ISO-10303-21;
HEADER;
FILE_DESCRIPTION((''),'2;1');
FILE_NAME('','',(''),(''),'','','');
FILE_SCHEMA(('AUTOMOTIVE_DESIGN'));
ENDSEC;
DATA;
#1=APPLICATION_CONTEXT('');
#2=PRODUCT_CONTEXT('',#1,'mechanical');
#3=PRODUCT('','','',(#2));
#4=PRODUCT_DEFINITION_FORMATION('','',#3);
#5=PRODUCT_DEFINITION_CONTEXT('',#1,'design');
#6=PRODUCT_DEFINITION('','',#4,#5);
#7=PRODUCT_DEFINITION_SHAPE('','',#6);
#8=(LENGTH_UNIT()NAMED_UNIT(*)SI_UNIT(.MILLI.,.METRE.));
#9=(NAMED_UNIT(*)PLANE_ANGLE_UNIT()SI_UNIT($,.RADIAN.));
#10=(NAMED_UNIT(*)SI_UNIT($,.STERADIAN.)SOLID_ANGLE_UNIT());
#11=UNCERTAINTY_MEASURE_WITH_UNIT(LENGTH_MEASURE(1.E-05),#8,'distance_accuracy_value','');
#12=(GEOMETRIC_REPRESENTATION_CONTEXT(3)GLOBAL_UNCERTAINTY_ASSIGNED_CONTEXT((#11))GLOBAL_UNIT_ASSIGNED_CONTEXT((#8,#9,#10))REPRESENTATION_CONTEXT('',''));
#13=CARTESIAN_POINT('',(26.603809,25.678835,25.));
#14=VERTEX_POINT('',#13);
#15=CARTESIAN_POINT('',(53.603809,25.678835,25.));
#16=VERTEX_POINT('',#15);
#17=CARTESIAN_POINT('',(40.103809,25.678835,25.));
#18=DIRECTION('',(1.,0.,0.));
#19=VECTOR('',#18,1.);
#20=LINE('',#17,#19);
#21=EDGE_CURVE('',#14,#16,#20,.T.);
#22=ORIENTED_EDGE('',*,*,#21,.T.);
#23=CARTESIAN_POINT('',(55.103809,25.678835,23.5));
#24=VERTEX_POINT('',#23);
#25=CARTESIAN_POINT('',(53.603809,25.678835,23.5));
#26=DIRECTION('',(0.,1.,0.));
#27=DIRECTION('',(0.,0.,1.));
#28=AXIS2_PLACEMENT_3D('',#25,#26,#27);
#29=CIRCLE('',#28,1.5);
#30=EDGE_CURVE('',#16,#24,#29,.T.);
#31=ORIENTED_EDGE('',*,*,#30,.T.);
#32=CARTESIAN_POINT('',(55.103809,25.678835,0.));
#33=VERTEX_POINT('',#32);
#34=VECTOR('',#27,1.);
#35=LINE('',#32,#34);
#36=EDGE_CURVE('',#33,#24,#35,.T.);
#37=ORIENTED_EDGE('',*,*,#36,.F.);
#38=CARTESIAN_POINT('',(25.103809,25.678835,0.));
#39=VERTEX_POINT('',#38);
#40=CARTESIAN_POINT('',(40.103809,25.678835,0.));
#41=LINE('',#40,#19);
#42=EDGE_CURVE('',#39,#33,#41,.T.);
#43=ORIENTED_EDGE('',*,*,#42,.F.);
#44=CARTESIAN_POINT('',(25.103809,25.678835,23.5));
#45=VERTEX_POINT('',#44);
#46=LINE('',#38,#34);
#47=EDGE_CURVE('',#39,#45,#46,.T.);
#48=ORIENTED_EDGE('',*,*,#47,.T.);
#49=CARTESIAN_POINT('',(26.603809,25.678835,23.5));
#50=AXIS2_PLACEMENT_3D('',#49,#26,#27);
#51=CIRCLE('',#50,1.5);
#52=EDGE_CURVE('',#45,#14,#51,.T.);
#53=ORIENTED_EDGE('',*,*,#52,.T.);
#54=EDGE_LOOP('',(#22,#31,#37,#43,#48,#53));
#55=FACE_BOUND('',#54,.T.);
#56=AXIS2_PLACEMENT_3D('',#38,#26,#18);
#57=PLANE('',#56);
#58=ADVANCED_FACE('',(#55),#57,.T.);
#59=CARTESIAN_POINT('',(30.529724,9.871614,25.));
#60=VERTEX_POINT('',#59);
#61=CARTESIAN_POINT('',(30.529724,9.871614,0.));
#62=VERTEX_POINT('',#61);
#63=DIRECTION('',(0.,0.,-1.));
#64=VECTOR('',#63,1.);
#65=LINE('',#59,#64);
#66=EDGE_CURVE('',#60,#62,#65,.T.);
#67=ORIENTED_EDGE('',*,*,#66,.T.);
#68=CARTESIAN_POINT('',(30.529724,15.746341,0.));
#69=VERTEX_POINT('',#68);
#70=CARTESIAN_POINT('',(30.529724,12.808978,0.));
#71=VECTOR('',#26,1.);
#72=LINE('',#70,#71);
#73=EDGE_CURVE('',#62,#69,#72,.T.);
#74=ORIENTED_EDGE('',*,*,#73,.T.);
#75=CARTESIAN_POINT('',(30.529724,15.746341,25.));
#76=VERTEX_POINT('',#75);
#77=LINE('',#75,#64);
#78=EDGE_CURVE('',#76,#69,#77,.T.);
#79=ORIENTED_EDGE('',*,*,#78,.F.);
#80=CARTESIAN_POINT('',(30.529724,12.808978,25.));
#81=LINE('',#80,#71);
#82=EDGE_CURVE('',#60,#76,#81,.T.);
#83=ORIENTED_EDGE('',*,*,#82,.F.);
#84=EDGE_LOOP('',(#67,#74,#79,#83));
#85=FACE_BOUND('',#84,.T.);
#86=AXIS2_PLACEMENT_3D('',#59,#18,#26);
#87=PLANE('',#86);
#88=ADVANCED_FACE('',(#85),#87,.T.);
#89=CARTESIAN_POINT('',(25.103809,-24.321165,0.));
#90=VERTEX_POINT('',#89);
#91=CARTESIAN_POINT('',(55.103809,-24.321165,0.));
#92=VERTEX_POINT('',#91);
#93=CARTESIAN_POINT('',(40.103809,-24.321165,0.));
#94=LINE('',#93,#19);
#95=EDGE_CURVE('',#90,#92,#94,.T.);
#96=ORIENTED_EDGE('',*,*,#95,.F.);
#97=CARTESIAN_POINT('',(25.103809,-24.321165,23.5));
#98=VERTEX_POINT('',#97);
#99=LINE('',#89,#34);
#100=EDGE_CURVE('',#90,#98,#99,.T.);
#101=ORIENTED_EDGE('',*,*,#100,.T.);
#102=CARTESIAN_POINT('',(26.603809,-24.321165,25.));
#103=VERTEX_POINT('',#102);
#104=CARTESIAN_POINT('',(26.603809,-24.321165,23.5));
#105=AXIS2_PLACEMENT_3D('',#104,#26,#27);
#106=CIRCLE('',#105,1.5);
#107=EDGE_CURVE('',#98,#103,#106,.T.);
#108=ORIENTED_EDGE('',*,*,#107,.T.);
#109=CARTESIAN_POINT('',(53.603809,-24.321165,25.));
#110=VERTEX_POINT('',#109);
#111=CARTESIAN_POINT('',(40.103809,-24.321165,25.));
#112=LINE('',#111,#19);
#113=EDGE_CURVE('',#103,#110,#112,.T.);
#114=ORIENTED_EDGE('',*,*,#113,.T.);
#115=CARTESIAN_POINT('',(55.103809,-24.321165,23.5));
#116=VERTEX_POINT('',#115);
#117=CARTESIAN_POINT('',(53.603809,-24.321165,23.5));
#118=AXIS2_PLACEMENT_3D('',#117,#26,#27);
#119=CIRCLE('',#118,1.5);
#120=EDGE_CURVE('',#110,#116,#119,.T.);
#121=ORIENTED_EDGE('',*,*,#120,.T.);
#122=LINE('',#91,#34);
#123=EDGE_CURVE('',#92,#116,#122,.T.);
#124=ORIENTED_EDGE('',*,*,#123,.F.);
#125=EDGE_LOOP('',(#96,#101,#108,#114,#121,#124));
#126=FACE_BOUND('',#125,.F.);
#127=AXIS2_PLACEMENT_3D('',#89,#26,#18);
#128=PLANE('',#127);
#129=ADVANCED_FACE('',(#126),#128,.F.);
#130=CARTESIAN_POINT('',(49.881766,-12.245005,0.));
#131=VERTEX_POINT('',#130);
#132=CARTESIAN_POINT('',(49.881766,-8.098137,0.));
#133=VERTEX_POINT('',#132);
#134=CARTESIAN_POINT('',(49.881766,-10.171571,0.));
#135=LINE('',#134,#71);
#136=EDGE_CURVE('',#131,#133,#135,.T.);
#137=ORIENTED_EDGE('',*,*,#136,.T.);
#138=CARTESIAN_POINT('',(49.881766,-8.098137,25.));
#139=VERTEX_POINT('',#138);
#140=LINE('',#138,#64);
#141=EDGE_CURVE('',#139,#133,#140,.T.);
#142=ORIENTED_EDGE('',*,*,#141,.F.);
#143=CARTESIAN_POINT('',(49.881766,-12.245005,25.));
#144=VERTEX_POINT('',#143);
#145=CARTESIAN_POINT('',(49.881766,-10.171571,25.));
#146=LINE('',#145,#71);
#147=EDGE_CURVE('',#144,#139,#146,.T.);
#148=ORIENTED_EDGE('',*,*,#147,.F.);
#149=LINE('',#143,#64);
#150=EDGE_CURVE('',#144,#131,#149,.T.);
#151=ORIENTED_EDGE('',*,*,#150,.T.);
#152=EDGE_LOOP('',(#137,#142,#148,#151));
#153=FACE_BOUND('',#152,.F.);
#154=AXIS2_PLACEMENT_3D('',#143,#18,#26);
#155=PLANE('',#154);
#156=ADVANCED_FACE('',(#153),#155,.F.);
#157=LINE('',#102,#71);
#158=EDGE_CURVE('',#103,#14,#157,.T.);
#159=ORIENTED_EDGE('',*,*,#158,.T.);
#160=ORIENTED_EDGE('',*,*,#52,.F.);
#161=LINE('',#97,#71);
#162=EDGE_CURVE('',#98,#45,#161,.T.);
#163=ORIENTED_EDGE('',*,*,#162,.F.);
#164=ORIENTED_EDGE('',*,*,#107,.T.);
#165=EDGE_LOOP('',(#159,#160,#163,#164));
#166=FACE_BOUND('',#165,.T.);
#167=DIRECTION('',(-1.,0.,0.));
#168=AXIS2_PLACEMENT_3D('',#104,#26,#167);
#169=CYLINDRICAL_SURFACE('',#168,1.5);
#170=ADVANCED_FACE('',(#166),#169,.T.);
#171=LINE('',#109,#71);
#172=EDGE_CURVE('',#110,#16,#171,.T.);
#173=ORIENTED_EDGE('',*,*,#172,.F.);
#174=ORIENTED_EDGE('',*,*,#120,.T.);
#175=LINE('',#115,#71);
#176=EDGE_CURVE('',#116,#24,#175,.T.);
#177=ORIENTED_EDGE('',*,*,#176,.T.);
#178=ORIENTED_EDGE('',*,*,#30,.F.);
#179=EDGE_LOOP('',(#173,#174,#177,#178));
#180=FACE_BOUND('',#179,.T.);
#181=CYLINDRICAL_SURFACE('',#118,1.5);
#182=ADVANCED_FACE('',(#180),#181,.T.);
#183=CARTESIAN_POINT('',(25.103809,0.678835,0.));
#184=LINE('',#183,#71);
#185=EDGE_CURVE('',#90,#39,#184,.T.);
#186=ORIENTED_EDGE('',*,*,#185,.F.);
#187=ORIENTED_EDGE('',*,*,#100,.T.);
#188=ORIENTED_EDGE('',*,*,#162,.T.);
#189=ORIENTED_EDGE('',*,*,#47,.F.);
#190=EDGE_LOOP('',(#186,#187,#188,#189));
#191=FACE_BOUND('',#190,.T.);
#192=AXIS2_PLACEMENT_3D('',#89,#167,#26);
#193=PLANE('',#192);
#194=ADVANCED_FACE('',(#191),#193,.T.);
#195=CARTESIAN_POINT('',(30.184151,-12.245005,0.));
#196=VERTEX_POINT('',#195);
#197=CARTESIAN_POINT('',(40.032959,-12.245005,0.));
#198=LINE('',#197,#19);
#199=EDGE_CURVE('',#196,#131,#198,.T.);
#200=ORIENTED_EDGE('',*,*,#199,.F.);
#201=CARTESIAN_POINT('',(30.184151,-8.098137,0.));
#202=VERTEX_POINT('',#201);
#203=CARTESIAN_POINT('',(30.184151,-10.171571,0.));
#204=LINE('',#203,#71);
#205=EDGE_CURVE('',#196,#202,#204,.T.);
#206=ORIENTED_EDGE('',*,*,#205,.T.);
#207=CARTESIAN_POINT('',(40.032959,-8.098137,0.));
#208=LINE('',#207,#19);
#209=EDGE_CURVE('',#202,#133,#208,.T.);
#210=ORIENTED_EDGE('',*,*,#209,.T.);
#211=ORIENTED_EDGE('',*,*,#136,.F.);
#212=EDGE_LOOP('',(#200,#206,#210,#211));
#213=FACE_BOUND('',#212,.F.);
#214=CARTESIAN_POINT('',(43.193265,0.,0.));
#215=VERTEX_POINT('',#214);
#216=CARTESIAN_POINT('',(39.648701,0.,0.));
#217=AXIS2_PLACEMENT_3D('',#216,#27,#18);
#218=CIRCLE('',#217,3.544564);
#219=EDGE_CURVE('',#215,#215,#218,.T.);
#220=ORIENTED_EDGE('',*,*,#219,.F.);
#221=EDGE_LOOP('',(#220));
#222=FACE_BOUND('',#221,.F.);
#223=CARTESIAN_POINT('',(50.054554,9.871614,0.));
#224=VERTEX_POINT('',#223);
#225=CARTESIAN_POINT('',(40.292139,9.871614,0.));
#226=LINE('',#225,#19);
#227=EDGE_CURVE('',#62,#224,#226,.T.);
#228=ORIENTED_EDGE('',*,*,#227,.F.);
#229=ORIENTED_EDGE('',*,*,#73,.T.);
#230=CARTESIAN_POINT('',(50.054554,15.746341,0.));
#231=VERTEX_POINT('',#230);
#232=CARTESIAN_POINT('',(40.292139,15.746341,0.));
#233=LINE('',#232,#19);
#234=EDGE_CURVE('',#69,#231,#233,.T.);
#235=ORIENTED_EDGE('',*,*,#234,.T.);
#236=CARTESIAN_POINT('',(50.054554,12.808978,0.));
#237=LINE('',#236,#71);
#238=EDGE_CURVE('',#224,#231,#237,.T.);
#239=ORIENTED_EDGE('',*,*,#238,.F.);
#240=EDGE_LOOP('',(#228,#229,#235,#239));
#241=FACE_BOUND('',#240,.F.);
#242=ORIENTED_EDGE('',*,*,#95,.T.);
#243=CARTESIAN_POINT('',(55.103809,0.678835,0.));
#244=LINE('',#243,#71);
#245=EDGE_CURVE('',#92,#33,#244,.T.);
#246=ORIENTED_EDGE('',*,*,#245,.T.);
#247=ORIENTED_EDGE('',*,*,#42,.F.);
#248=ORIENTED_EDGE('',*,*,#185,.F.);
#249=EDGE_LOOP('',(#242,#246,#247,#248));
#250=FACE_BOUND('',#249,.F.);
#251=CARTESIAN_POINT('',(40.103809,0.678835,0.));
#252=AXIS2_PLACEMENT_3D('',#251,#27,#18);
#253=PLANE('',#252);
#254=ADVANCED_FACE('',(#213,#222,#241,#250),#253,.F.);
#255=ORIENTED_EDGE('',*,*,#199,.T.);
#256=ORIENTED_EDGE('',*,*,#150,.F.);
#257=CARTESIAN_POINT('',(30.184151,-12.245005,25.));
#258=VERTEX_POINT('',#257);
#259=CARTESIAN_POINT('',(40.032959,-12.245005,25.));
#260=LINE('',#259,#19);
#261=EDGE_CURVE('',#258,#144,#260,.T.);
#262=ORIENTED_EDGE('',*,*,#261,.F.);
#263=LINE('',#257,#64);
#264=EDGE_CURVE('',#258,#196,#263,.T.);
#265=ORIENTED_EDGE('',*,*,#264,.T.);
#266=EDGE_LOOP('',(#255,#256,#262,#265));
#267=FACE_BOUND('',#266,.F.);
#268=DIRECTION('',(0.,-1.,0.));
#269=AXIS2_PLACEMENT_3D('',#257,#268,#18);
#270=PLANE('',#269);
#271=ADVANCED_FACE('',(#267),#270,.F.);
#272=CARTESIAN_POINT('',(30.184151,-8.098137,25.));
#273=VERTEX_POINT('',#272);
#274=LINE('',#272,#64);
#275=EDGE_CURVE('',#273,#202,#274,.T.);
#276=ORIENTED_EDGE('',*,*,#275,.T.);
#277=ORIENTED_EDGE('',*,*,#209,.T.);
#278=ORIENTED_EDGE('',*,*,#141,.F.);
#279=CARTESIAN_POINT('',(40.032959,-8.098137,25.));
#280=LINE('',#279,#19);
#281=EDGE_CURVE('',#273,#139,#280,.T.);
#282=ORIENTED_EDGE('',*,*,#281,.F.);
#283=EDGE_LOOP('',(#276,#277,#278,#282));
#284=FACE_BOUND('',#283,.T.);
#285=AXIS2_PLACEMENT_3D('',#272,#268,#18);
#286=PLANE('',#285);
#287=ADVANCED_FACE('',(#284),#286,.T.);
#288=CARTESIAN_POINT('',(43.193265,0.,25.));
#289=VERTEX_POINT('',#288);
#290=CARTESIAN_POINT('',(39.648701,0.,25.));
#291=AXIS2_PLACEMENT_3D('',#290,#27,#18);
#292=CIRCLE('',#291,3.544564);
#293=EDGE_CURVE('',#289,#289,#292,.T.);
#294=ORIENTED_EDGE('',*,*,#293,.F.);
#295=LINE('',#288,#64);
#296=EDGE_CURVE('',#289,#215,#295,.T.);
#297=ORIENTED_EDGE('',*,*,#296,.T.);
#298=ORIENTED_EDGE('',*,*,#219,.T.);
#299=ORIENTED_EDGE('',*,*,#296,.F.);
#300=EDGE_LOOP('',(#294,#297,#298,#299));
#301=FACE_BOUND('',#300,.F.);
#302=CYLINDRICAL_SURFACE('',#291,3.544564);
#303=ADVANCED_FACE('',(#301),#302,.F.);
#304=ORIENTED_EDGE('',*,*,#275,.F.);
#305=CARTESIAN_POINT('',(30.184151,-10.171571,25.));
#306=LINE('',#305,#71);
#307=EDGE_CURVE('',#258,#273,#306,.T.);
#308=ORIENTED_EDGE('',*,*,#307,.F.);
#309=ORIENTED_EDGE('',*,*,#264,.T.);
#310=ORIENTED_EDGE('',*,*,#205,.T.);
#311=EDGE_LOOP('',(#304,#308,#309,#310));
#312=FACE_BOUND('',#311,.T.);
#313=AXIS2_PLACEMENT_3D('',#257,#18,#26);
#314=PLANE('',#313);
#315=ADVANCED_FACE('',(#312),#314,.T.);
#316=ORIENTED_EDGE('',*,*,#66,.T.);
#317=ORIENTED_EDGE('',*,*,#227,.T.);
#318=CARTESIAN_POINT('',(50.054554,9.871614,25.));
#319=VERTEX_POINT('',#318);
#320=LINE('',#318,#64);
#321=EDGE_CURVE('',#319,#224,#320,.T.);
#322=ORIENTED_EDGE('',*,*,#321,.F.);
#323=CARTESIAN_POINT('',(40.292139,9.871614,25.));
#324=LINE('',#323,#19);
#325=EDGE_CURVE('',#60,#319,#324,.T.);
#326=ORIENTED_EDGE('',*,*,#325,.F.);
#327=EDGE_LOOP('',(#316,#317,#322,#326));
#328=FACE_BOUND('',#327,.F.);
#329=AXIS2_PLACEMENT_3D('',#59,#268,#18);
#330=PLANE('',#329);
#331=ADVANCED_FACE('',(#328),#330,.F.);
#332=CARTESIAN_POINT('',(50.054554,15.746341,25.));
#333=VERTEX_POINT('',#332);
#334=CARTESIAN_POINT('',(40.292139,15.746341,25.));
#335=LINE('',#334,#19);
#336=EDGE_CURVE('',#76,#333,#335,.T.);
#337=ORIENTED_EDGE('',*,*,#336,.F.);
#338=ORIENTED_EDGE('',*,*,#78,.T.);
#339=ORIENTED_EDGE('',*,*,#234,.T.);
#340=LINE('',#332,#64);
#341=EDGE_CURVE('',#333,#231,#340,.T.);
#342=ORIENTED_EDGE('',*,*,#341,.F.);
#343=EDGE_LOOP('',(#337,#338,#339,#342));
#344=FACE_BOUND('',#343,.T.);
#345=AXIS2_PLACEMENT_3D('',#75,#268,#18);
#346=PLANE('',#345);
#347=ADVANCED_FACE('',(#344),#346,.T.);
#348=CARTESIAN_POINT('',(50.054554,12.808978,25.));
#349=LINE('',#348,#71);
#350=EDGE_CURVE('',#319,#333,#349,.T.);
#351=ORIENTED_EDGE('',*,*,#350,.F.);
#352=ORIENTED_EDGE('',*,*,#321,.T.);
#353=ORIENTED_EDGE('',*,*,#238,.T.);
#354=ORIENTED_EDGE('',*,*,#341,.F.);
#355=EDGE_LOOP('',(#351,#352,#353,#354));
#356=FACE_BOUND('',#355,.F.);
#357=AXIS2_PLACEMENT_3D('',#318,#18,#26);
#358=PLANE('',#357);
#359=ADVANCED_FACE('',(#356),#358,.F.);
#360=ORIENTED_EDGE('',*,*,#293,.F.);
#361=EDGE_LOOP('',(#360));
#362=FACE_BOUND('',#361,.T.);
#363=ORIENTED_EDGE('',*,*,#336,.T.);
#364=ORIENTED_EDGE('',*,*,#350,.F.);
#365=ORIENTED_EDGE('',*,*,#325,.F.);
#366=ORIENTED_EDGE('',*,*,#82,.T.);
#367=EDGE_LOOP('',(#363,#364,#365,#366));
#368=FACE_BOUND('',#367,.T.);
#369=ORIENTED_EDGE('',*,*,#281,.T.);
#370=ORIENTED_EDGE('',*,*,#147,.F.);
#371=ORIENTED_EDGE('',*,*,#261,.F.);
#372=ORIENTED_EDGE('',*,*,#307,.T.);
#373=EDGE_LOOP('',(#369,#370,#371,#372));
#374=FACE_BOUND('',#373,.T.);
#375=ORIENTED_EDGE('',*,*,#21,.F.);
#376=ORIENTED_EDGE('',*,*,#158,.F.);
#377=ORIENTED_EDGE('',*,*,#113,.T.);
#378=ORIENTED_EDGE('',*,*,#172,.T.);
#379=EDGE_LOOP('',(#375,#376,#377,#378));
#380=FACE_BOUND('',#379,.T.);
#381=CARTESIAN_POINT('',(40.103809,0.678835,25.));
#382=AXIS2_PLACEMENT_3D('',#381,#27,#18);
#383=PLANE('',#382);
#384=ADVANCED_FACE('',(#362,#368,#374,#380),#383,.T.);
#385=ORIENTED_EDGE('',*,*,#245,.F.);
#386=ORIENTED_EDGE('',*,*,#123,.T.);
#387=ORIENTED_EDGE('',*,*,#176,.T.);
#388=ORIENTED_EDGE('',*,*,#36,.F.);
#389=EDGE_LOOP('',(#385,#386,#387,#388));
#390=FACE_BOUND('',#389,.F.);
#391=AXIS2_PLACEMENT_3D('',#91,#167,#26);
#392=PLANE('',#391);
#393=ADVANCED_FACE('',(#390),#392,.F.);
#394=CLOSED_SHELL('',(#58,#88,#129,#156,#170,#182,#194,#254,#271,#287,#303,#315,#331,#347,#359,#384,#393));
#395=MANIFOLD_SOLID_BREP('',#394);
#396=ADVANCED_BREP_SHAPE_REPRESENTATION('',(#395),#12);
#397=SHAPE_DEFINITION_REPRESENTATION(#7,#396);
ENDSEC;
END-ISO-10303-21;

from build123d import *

# Parameters (mm, degrees)
F0_W     = 30
F0_H     = 50
F1_DEPTH = 25
F2_W     = 19.697615
F2_H     = 4.146867
F2_W_2   = 19.52483
F2_H_2   = 5.874727
F3_DEPTH = 10
F4_DEPTH = 10
F5_DEPTH = 25
F6_DEPTH = 25
F7_R     = 1.5
F2_R     = 3.544564
F8_DEPTH = 25


with BuildPart() as f1:
    # F0 (on Top) → F1 (new body)
    with BuildSketch(Plane.XY):
        with Locations((40.103809, 0.678835)):
            Rectangle(F0_W, F0_H)
    extrude(amount=F1_DEPTH)

    # F2 (on face) → F3 (join)
    with BuildSketch(Plane.XY.offset(25)):
        with Locations((40.032959, -10.171571)):
            Rectangle(F2_W, F2_H)
        with Locations((40.292139, 12.808978)):
            Rectangle(F2_W_2, F2_H_2)
    extrude(amount=-F3_DEPTH)

    # F2 (on face) → F4 (join)
    with BuildSketch(Plane.XY.offset(25)):
        with Locations((40.292139, 12.808978)):
            Rectangle(F2_W_2, F2_H_2)
        with Locations((40.032959, -10.171571)):
            Rectangle(F2_W, F2_H)
    extrude(amount=-F4_DEPTH)

    # F2 (on face) → F5 (cut)
    with BuildSketch(Plane.XY.offset(25)):
        with Locations((40.292139, 12.808978)):
            Rectangle(F2_W_2, F2_H_2)
    extrude(amount=-F5_DEPTH, mode=Mode.SUBTRACT)

    # F2 (on face) → F6 (cut)
    with BuildSketch(Plane.XY.offset(25)):
        with Locations((40.032959, -10.171571)):
            Rectangle(F2_W, F2_H)
    extrude(amount=-F6_DEPTH, mode=Mode.SUBTRACT)

    # F7
    f7_edges = [f1.edges().sort_by_distance(p)[0] for p in [
        (55.103809, 0.678835, 25),
        (25.103809, 0.678835, 25),
    ]]
    fillet(f7_edges, radius=F7_R)

    # F2 (on face) → F8 (cut)
    with BuildSketch(Plane.XY.offset(25)):
        with Locations((39.648701, 0)):
            Circle(F2_R)
    extrude(amount=-F8_DEPTH, mode=Mode.SUBTRACT)


solid = f1.part
